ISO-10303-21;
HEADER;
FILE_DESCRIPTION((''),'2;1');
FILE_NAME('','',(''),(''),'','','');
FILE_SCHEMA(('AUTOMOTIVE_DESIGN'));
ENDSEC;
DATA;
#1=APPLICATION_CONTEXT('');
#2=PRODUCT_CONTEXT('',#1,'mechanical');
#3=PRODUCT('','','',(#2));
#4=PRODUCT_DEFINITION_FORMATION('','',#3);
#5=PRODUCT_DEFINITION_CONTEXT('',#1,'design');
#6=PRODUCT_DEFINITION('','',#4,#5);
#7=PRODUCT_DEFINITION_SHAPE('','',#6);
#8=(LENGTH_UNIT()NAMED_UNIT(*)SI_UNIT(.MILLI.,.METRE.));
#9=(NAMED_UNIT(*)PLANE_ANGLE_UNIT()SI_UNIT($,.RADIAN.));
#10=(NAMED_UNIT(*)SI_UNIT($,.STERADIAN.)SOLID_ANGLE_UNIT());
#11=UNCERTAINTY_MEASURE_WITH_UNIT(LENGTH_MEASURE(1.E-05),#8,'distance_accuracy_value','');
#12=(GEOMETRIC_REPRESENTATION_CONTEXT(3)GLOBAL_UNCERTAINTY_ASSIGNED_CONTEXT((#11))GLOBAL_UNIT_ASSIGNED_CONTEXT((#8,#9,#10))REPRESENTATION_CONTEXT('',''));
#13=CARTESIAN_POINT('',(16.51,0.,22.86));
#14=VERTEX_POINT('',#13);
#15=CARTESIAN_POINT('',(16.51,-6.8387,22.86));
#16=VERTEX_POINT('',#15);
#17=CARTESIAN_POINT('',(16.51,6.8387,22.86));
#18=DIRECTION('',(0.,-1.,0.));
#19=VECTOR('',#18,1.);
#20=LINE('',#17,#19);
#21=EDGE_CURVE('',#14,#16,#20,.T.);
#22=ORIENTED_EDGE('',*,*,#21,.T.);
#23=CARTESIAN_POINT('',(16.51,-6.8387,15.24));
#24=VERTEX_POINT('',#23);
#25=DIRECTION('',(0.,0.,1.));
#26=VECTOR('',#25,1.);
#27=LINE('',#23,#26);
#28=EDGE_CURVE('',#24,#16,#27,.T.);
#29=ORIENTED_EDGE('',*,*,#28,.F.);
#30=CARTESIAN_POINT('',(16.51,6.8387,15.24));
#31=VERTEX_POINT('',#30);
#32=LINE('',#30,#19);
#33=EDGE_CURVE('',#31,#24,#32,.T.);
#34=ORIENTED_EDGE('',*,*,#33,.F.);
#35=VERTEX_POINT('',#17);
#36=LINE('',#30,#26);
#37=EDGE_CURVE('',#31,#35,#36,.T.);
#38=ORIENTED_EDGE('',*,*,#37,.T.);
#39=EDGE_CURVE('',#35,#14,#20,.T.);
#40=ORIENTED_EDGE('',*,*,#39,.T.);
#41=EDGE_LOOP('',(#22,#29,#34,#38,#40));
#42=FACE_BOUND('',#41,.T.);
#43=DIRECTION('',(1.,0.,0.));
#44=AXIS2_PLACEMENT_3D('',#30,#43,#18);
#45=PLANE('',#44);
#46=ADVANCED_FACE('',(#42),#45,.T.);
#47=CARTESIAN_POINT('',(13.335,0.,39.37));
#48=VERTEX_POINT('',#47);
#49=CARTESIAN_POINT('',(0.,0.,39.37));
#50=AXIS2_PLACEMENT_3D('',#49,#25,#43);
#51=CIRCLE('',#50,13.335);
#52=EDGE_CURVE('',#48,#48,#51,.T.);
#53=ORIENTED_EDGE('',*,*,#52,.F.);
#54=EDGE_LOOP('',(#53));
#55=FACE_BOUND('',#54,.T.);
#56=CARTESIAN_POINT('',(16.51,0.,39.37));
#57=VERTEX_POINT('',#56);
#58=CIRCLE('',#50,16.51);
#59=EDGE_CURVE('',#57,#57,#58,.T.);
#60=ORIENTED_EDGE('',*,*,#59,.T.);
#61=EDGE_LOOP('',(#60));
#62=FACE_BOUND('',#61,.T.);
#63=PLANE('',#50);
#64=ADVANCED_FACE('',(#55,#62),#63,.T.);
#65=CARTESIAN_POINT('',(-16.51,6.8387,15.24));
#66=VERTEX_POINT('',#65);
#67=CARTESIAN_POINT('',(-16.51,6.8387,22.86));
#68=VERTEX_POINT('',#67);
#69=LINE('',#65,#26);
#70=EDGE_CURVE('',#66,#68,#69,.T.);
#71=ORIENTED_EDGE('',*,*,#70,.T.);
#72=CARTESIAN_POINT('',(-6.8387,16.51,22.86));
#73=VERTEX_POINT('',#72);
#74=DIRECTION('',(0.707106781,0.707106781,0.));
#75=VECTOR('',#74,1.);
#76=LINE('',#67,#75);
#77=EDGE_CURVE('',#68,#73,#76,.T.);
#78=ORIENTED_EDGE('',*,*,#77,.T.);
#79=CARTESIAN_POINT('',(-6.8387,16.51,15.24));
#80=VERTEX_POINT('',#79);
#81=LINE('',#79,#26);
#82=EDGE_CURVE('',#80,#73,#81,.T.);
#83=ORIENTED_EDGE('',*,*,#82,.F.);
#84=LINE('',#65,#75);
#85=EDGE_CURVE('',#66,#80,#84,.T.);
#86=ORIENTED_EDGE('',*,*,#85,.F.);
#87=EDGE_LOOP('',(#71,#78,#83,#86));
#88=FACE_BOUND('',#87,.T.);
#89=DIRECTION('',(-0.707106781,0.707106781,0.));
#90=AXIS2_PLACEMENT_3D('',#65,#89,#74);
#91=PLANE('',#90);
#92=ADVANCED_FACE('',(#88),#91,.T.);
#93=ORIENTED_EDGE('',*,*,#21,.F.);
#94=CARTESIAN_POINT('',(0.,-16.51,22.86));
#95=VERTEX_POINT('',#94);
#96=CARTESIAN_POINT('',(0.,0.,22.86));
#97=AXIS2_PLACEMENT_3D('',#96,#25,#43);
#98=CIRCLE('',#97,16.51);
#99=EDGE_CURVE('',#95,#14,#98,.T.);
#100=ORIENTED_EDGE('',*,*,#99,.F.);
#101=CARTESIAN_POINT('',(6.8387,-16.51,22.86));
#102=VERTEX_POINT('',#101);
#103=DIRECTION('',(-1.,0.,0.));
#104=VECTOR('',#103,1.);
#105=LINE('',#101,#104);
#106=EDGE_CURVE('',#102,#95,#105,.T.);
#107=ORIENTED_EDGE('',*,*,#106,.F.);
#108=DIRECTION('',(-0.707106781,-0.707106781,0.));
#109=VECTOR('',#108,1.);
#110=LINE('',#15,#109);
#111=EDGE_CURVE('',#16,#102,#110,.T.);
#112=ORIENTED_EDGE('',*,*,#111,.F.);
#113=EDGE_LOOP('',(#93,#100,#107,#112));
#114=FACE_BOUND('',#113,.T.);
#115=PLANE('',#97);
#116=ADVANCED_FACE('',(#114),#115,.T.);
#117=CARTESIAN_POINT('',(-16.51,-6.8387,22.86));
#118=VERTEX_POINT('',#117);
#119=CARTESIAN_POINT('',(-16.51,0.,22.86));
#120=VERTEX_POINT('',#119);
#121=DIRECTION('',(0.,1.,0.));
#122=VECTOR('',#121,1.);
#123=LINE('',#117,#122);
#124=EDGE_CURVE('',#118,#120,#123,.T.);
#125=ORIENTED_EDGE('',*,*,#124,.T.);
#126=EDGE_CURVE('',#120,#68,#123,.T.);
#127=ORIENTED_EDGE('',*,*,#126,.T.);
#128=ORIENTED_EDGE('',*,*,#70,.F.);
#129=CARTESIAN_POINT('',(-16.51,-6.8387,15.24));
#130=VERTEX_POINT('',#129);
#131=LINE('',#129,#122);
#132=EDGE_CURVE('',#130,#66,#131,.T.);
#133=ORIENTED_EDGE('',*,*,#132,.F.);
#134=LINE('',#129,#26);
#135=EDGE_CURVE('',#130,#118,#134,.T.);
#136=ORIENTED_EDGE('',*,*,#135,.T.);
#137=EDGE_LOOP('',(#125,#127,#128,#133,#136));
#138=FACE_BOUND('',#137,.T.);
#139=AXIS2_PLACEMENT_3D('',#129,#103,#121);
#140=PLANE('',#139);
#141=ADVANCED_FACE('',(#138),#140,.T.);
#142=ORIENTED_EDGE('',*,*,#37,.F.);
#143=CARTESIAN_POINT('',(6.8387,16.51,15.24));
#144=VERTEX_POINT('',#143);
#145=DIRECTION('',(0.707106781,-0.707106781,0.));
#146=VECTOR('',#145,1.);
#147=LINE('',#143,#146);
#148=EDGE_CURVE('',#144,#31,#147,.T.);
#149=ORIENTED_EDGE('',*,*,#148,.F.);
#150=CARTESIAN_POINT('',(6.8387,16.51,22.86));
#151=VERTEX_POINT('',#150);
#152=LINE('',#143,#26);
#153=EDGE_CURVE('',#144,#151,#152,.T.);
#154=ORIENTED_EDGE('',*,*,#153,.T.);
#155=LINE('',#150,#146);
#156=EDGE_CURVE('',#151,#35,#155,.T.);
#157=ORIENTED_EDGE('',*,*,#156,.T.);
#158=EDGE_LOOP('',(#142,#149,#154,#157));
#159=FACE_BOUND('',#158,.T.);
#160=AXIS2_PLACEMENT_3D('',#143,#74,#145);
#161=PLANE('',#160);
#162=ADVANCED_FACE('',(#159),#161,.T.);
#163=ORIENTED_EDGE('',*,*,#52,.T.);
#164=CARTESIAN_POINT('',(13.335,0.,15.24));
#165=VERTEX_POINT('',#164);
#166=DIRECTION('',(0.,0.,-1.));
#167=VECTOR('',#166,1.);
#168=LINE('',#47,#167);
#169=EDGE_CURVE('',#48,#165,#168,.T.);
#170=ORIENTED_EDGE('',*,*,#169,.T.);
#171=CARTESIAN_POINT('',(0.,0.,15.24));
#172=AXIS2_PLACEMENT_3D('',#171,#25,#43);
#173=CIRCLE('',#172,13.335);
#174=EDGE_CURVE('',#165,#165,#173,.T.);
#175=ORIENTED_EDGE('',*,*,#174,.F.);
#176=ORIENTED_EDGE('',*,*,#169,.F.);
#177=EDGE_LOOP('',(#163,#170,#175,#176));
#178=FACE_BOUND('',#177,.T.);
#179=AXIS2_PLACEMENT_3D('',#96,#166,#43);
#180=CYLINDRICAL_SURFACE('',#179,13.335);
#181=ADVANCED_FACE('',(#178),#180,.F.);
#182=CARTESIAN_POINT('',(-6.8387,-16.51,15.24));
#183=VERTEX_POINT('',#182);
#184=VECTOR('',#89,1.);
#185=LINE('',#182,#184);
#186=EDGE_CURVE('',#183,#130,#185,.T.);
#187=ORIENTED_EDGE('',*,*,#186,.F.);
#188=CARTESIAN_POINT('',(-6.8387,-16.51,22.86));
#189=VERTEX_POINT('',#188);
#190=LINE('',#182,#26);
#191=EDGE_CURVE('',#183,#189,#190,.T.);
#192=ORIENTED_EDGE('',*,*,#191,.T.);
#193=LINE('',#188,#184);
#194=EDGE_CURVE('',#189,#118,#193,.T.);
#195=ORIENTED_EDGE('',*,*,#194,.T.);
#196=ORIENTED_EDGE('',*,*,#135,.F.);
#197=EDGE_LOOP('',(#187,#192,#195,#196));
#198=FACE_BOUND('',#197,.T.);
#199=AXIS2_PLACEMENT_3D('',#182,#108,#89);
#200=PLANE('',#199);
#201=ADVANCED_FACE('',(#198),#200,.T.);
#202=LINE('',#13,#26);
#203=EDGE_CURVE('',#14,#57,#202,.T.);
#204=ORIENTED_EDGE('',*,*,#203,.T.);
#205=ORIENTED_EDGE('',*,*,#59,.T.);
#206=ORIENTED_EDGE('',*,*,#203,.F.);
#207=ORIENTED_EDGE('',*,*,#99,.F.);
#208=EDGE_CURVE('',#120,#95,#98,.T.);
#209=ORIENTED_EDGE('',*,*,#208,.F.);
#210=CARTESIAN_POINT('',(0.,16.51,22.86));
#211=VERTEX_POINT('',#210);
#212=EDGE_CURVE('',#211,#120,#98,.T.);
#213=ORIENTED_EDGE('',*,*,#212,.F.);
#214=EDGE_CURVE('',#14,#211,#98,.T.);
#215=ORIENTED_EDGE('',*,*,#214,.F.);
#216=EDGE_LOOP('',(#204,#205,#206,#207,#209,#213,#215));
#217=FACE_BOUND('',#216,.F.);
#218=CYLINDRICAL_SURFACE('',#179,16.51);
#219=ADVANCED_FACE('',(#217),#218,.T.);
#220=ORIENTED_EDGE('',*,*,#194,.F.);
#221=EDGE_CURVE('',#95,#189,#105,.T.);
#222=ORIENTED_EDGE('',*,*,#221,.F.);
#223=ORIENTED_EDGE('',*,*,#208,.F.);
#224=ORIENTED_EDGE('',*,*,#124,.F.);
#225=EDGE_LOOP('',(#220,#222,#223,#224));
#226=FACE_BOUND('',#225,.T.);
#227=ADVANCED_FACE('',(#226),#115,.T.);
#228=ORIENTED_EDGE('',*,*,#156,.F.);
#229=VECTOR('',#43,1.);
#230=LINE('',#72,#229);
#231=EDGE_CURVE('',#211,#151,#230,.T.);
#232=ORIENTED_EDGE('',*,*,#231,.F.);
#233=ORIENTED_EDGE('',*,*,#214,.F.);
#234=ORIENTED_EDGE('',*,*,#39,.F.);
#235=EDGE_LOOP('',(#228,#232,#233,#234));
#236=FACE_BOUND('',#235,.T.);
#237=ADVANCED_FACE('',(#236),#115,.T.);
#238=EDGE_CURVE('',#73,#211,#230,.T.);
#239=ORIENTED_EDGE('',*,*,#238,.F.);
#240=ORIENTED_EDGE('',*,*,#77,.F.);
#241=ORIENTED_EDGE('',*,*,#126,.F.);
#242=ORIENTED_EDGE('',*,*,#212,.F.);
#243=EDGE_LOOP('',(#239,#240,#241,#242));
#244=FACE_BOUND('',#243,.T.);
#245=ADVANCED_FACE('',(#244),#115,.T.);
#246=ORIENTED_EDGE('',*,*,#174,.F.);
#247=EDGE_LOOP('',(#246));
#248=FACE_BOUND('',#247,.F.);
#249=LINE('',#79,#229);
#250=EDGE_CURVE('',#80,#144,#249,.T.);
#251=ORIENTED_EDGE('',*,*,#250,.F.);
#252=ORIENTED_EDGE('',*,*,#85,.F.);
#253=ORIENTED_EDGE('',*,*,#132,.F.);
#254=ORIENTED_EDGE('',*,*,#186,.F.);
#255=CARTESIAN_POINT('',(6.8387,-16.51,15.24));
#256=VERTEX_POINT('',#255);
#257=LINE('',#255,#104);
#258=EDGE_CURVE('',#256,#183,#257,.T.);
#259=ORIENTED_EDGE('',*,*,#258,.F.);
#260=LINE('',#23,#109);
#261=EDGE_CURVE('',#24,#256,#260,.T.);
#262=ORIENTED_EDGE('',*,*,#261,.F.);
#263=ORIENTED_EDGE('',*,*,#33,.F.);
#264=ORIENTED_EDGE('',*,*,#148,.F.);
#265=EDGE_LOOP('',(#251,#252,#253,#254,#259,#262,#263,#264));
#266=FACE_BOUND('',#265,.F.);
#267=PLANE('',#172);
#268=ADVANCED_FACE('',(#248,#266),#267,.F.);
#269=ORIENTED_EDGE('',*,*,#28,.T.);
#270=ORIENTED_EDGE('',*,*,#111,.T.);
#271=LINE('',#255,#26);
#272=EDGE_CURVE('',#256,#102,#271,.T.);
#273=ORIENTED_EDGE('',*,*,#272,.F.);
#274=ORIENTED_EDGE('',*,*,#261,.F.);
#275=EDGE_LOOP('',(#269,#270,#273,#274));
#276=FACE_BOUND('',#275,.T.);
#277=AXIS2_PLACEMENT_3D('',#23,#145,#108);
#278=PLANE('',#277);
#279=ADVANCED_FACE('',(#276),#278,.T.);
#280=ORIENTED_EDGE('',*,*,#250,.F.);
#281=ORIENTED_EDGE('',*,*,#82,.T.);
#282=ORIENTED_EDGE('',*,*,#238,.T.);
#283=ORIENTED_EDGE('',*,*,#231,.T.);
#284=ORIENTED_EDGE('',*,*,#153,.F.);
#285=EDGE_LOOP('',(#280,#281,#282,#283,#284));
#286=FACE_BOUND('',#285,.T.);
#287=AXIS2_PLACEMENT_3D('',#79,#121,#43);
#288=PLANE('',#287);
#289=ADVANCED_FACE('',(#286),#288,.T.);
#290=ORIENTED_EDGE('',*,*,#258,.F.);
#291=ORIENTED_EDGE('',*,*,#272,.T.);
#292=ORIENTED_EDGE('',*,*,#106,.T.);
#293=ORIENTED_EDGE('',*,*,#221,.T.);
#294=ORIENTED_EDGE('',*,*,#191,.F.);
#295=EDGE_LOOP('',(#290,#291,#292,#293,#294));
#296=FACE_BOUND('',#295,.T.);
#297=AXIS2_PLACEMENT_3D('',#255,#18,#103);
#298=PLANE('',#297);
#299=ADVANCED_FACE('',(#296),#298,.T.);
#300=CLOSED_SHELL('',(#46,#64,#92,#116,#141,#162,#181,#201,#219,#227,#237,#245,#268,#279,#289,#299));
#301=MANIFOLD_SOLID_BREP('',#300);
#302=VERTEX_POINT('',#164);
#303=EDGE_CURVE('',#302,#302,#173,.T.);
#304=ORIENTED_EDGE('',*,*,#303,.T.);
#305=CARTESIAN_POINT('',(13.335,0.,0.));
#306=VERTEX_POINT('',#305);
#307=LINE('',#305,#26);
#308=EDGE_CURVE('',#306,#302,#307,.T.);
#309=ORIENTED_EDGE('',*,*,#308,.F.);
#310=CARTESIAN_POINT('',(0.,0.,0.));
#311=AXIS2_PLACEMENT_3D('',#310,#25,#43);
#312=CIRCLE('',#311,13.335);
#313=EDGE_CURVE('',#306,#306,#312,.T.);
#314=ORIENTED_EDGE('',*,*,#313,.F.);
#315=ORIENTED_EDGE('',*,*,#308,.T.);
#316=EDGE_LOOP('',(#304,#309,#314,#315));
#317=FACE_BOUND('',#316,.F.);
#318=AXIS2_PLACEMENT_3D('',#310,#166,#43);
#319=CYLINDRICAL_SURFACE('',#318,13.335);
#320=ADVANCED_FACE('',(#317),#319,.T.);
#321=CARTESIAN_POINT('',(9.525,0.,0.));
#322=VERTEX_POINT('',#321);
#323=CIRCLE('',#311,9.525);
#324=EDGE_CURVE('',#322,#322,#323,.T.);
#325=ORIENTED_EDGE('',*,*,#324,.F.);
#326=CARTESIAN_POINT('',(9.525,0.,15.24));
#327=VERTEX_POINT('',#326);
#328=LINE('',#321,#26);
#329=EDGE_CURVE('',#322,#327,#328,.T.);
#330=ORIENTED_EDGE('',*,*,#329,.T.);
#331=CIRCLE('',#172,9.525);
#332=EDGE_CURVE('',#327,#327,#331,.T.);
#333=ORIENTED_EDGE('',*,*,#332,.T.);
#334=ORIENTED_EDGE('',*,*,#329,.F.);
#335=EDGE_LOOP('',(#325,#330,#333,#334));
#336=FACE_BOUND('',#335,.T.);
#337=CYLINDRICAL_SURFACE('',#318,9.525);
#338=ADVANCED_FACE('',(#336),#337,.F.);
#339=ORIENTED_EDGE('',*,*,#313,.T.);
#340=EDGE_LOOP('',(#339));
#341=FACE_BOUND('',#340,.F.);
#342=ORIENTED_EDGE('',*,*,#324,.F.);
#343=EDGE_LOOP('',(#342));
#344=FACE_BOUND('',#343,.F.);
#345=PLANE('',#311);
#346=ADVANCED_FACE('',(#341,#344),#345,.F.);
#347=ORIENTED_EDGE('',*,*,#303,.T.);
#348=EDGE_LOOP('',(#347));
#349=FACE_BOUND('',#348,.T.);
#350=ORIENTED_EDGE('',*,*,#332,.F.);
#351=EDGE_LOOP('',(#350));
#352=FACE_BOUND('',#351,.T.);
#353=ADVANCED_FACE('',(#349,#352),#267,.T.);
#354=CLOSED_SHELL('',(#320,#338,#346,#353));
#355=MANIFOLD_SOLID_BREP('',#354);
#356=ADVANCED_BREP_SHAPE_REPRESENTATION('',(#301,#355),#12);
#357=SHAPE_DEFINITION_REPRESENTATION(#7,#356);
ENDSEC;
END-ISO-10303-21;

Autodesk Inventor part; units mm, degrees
ref_plane "YZ Plane" through (0, 0, 0) normal (1, 0, 0) x (0, 1, 0)
ref_plane "XZ Plane" through (0, 0, 0) normal (0, 1, 0) x (-1, 0, 0)
ref_plane "XY Plane" through (0, 0, 0) normal (0, 0, 1) x (1, 0, 0)
sketch "Sketch1" plane through (0, 0, 0) normal (0, 0, 1) x (1, 0, 0)
  circle A0 centre (0, 0) radius 13.335
  circle A1 centre (0, 0) radius 9.525
  dimension "d0" = 26.67
  dimension "d2" = 19.05
extrude "Extrusion1" add sketch "Sketch1" along normal blind 15.24
sketch "Sketch2" plane through (0, 0, 15.24) normal (0, 0, 1) x (1, 0, 0)
  circle A0 centre (0, 0) radius 13.335 projected
  line L0 (16.51, -6.8387) -> (6.8387, -16.51)
  line L1 (6.8387, -16.51) -> (-6.8387, -16.51)
  line L2 (-6.8387, -16.51) -> (-16.51, -6.8387)
  line L3 (-16.51, -6.8387) -> (-16.51, 6.8387)
  line L4 (-16.51, 6.8387) -> (-6.8387, 16.51)
  line L5 (-6.8387, 16.51) -> (6.8387, 16.51)
  line L6 (6.8387, 16.51) -> (16.51, 6.8387)
  line L7 (16.51, 6.8387) -> (16.51, -6.8387)
  dimension "d5" = 33.02
extrude "Extrusion2" add sketch "Sketch2" along normal blind 7.62
sketch "Sketch3" plane through (0, 0, 22.86) normal (0, 0, 1) x (1, 0, 0)
  circle A0 centre (0, 0) radius 13.335 projected
  circle A1 centre (0, 0) radius 16.51
  circle A2 centre (0, 0) radius 13.335
  dimension "d8" = 33.02
  dimension "d10" = 26.67
extrude "Extrusion3" add sketch "Sketch3" along normal blind 16.51
thread "Thread1" size "1 1/16-8 UNC" class "2A" standard "ANSI Unified Screw Threads" full length
properties part number "1 Thread to pipe" material "PVC-Piping"
